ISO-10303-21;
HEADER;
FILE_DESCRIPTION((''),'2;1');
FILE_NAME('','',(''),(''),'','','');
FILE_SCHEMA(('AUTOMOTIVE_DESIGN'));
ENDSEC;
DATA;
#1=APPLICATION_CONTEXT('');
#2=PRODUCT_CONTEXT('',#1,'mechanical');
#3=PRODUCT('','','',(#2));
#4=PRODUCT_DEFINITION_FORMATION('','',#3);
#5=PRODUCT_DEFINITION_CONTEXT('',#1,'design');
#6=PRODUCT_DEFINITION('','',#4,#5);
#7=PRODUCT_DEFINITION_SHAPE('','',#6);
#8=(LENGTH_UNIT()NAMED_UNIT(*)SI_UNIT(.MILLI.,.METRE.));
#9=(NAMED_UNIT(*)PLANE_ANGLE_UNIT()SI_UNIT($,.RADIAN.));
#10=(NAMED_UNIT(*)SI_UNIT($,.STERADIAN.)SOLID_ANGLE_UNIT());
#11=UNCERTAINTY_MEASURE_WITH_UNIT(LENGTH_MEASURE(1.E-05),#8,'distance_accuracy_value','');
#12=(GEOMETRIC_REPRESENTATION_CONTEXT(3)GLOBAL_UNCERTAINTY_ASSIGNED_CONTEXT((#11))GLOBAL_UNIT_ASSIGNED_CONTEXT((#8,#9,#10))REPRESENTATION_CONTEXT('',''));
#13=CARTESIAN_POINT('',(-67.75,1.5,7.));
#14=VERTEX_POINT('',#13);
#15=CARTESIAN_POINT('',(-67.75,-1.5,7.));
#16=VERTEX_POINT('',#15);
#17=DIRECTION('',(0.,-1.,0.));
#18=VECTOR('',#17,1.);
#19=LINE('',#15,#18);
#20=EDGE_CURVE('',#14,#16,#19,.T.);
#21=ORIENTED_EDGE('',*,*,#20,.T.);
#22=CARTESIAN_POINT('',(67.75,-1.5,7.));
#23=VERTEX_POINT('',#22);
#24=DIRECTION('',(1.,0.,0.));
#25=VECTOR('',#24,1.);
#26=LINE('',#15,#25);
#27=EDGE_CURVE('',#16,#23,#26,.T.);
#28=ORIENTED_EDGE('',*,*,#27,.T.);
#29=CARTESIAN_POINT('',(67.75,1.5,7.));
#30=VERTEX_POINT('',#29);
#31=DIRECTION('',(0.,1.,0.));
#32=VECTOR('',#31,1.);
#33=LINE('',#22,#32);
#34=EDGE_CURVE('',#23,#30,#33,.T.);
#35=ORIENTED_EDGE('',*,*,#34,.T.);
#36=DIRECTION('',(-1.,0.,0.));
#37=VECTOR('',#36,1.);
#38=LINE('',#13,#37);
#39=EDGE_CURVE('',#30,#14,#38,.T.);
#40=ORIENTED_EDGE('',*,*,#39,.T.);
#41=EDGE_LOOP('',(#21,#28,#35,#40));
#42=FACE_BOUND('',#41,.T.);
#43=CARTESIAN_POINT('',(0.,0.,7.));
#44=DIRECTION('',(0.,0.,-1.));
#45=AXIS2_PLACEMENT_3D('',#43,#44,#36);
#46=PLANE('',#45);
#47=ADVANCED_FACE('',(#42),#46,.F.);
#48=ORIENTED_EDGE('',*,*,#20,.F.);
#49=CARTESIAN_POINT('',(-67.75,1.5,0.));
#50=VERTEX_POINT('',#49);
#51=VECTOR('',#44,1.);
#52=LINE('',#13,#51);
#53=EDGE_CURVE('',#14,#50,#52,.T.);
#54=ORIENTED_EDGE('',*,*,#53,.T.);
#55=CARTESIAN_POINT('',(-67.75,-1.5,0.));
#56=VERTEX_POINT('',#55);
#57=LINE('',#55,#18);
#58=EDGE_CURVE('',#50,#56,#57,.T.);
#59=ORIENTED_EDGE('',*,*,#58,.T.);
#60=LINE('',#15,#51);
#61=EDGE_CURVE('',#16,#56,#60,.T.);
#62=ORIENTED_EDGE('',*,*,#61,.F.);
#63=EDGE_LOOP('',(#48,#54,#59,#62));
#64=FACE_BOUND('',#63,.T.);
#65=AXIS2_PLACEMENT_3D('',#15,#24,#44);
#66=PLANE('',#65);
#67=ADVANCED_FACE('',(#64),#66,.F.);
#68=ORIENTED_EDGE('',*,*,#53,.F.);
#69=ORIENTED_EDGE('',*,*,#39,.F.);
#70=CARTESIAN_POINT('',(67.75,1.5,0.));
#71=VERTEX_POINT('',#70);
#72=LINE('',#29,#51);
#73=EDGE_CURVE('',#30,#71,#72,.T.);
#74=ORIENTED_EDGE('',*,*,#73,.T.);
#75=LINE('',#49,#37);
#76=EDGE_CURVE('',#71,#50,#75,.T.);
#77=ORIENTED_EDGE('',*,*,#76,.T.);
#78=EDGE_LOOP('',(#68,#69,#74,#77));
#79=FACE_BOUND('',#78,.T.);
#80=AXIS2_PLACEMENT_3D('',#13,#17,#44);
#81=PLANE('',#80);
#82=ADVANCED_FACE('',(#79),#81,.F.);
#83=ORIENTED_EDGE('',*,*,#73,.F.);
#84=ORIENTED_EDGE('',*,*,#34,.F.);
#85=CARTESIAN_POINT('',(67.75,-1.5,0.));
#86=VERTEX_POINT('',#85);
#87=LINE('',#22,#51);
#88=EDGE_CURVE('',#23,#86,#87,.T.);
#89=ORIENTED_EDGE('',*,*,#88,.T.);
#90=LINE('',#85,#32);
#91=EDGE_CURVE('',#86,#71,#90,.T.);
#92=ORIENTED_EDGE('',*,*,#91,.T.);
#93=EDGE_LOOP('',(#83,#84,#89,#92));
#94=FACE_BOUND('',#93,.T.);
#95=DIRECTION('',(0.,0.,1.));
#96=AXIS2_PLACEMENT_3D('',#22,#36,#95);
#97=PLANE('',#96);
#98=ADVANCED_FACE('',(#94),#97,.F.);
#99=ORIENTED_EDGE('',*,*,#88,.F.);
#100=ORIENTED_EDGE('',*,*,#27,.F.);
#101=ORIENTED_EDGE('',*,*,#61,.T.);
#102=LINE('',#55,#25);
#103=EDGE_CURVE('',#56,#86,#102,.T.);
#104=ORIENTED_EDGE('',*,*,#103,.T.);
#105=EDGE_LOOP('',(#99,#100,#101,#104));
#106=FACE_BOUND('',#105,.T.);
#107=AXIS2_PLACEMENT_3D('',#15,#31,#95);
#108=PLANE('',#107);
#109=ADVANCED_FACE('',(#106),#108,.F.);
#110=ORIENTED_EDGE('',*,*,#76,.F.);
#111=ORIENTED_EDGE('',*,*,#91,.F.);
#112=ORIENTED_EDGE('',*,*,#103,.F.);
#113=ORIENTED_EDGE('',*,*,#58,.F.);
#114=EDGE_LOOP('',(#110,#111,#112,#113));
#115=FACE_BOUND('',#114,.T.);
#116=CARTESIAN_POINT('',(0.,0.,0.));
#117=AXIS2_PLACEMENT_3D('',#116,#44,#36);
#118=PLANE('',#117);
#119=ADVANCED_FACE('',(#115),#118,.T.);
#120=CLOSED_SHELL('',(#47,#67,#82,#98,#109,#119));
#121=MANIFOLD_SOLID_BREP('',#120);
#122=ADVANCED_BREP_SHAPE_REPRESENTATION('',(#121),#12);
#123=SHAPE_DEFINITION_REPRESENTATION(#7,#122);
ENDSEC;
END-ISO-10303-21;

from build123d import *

# Parameters (mm, degrees)
SKETCH_1_W      = 135.5
SKETCH_1_H      = 3
EXTRUDE_1_DEPTH = 7


with BuildPart() as part:
    # 草图1 → 凸台-拉伸1 (new body)
    with BuildSketch(Plane.XY):
        Rectangle(SKETCH_1_W, SKETCH_1_H)
    extrude(amount=EXTRUDE_1_DEPTH)


solid = part.part
